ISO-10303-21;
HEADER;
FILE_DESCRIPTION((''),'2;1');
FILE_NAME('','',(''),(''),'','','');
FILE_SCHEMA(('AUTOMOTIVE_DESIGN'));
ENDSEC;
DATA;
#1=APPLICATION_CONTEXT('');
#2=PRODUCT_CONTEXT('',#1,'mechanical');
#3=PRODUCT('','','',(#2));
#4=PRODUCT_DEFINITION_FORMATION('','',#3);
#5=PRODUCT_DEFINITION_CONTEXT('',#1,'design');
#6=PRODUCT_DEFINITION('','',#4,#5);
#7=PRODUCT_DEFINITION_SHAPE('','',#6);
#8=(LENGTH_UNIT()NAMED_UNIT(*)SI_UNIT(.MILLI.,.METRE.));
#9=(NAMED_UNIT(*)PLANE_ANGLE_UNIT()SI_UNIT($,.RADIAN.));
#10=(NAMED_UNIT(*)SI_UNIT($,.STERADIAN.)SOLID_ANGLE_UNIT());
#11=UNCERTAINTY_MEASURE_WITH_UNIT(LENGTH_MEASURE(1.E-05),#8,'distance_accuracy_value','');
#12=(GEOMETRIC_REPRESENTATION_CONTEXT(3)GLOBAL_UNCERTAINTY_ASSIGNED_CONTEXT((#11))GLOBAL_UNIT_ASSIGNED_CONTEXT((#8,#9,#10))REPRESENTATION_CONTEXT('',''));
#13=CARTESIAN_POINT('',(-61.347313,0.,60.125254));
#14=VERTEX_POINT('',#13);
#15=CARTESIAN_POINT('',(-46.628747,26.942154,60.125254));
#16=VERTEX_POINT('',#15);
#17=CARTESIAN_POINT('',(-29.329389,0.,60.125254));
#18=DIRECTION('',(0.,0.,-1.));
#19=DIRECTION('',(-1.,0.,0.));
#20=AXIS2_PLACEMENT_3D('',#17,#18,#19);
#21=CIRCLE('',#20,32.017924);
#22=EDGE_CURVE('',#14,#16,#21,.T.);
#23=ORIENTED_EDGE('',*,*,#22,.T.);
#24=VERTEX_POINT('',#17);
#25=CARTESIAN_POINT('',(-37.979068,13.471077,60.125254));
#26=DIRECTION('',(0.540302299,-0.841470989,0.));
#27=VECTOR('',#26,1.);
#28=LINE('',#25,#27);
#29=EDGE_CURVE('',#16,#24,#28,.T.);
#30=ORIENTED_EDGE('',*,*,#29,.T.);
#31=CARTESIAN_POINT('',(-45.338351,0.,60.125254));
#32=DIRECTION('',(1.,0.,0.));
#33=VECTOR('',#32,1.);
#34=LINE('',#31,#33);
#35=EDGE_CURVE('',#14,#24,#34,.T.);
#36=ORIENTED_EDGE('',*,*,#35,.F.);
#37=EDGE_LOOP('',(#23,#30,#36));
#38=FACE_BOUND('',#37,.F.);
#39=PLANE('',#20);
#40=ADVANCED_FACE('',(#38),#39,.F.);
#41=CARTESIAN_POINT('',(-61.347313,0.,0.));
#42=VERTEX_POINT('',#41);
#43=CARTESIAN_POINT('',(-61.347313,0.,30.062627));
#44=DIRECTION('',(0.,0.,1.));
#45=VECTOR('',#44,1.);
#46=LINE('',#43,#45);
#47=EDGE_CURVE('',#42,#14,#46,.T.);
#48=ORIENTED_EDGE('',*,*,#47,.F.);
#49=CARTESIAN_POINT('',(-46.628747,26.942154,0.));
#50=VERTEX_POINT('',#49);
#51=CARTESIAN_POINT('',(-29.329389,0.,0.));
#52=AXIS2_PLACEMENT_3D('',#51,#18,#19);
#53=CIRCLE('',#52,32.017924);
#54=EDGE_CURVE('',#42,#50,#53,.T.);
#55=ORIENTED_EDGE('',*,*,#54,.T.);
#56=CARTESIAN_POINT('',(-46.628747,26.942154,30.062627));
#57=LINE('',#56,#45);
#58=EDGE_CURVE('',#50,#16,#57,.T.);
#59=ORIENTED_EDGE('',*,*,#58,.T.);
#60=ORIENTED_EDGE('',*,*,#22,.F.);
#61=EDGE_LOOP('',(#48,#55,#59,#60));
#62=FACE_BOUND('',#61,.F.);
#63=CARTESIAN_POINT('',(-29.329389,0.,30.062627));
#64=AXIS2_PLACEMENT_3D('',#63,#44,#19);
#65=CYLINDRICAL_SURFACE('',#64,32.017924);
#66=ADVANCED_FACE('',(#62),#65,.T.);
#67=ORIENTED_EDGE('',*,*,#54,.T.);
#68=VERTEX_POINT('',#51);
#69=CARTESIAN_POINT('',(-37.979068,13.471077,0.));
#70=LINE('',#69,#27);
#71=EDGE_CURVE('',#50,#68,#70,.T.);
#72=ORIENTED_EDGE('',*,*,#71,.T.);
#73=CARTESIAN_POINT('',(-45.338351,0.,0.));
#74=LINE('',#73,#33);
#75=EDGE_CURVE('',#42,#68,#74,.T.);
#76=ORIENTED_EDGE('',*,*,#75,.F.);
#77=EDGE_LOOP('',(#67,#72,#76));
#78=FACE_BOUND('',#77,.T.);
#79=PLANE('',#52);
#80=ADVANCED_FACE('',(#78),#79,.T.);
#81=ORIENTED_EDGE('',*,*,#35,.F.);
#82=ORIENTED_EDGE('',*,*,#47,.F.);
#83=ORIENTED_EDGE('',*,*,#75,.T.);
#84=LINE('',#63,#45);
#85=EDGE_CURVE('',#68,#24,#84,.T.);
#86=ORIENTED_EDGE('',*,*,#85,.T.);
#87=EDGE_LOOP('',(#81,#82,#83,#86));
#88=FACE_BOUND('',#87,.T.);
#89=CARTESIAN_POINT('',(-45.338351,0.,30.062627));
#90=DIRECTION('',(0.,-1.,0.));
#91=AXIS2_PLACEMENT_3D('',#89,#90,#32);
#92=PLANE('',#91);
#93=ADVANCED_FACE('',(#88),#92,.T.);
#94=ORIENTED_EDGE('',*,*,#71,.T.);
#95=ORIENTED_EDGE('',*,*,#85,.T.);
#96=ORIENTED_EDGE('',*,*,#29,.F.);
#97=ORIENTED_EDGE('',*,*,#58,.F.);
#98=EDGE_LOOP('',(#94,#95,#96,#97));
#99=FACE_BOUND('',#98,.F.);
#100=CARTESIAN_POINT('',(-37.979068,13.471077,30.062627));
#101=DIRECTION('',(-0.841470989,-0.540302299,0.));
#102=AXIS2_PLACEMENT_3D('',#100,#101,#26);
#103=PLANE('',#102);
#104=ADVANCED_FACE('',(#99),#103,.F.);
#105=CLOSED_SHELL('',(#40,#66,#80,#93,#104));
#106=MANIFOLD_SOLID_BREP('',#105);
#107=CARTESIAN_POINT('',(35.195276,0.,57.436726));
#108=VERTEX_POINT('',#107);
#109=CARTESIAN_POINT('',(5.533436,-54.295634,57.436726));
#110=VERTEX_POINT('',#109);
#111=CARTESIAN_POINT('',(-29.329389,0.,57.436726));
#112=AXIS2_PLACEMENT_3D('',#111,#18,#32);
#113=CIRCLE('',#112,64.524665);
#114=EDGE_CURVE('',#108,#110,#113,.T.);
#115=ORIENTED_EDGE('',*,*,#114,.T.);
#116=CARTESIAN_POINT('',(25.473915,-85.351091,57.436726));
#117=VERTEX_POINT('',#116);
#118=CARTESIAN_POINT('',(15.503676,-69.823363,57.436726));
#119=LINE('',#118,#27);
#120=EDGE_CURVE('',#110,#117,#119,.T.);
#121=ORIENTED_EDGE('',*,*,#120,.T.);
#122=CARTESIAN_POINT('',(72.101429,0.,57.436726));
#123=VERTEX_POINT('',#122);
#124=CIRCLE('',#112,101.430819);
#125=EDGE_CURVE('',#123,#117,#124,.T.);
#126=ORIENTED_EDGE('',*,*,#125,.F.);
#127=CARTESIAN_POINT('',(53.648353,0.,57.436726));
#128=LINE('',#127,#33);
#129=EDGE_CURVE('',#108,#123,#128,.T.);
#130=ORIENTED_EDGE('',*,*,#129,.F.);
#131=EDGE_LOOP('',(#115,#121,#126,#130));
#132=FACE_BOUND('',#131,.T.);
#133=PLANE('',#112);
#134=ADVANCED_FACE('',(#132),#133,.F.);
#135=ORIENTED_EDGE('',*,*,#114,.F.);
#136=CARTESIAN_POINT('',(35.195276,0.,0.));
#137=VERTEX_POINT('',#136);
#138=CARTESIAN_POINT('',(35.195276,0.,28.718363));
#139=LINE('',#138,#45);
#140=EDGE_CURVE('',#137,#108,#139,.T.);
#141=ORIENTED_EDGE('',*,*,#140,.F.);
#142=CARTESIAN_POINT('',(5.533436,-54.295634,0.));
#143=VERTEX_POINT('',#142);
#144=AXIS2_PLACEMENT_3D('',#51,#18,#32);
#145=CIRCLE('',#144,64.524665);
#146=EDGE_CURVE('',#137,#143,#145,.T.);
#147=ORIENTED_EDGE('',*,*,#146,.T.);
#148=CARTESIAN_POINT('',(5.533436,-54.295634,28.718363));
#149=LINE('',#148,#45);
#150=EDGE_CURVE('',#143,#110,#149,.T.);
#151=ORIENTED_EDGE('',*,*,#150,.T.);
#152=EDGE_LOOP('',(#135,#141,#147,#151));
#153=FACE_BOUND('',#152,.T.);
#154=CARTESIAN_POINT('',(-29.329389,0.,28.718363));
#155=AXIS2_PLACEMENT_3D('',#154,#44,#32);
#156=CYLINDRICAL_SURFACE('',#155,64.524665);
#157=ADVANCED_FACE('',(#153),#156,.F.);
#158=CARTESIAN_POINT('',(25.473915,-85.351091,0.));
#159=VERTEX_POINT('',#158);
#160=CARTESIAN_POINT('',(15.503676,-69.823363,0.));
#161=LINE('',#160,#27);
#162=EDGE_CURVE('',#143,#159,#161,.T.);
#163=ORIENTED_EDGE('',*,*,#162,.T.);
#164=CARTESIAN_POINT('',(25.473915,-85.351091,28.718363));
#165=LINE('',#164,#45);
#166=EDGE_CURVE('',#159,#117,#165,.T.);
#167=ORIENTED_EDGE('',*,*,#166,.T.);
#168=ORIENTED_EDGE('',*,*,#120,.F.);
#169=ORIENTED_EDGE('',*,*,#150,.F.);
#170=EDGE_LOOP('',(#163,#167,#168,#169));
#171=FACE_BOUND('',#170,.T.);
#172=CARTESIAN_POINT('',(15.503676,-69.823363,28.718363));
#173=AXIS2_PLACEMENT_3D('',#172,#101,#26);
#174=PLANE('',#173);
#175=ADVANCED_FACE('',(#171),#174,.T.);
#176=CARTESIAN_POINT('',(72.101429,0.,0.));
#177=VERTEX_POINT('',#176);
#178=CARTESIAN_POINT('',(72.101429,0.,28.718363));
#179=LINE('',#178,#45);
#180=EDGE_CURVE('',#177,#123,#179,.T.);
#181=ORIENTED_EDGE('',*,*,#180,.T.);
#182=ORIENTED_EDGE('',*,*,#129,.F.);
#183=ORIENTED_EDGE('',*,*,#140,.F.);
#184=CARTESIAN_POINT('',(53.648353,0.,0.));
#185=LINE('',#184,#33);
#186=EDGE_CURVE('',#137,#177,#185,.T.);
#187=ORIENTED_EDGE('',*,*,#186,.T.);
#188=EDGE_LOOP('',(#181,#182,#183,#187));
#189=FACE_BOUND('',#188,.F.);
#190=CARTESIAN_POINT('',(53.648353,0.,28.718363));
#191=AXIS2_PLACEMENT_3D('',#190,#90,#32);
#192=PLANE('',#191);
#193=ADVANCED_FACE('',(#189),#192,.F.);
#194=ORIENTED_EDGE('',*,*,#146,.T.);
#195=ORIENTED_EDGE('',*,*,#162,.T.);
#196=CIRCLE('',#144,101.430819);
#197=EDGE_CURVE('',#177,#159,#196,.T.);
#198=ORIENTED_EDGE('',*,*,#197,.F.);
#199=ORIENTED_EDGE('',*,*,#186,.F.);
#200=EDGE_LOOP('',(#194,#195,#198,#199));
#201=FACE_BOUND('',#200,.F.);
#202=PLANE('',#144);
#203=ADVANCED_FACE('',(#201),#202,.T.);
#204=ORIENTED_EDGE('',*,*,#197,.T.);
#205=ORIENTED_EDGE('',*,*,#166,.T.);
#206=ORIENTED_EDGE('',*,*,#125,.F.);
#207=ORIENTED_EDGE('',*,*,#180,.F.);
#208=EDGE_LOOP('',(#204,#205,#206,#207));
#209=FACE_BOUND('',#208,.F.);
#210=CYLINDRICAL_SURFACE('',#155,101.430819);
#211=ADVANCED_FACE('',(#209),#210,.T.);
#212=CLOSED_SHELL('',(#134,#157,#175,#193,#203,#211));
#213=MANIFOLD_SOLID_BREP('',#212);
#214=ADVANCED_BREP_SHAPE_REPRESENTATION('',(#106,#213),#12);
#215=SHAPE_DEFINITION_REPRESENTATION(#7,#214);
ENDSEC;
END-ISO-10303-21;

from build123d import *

# Parameters (mm, degrees)
F0_W     = 32.017924
F0_H     = 60.125254
F0_W_2   = 36.906153
F0_H_2   = 57.436727
F1_ANGLE = 57.29578


with BuildPart() as f1:
    # F0 (on Front) → F1 (revolve)
    with BuildSketch(Plane.XZ):
        with Locations((-45.338351, 30.062627)):
            Rectangle(F0_W, F0_H)
        with Locations((53.648353, 28.718363)):
            Rectangle(F0_W_2, F0_H_2)
    revolve(axis=Axis((-29.329389, 0, 30.062627), (0, 0, -1)), revolution_arc=F1_ANGLE)


solid = f1.part
